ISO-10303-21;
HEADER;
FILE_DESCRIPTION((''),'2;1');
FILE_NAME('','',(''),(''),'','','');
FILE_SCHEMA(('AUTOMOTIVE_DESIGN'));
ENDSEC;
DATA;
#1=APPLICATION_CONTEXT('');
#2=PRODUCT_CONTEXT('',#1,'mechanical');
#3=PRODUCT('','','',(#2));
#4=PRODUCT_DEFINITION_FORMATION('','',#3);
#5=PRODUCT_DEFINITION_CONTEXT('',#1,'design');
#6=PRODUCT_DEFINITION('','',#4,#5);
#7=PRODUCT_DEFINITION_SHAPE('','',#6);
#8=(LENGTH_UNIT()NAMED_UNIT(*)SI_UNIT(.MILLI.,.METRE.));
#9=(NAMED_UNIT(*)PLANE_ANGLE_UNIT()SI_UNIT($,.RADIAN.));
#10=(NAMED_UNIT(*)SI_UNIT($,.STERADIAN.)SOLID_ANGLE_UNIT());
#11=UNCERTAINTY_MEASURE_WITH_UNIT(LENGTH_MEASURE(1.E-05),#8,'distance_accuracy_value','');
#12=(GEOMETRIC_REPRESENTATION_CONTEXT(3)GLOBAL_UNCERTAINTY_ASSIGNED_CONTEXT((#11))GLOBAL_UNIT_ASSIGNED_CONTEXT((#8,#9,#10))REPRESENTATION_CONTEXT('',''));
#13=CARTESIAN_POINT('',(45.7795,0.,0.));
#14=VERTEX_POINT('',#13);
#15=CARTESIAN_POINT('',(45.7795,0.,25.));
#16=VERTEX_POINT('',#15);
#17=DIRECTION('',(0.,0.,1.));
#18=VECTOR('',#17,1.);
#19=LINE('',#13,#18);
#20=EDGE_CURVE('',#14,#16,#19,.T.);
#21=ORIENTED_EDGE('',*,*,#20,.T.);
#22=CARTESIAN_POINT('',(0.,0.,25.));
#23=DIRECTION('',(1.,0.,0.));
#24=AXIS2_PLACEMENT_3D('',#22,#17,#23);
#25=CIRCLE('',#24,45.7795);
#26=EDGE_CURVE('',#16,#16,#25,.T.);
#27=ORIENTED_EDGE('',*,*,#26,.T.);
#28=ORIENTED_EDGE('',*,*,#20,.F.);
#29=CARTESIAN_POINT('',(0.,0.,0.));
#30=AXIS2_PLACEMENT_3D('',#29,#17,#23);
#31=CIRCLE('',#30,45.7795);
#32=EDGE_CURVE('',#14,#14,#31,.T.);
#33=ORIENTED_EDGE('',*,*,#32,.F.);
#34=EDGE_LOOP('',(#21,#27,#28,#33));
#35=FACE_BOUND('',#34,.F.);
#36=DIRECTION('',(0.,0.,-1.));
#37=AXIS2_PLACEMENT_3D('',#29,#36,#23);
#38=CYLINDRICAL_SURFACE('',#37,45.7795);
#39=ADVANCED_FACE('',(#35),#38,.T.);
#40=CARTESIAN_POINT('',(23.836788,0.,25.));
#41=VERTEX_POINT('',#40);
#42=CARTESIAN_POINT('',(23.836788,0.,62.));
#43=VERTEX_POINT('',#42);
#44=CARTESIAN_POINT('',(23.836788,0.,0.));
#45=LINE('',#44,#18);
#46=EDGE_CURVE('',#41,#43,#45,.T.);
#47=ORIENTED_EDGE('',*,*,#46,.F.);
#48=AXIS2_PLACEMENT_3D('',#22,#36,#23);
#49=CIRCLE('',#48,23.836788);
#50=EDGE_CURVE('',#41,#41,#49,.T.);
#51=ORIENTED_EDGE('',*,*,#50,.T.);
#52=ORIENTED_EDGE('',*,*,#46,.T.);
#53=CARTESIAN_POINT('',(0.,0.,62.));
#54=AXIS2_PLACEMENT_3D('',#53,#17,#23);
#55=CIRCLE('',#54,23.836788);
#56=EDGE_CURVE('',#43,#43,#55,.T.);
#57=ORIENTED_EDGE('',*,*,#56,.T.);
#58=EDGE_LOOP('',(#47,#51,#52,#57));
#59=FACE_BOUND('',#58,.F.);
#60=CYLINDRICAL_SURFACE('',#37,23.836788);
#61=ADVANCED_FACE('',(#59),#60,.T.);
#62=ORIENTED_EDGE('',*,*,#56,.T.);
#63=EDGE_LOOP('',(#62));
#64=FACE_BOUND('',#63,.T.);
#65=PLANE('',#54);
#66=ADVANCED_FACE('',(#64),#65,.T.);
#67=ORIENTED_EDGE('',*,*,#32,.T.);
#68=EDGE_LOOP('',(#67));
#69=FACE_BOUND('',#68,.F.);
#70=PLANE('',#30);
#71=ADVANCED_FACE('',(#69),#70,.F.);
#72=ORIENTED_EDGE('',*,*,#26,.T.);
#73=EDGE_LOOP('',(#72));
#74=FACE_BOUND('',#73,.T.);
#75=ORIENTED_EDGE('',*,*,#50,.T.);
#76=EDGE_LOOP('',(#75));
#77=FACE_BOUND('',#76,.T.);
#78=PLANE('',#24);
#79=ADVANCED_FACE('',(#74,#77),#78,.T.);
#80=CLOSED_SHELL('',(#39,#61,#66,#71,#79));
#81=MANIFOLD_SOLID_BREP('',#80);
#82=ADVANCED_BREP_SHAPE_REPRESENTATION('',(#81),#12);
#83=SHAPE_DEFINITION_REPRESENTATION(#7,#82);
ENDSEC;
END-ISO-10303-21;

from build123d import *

# Parameters (mm, degrees)
F0_R     = 23.836788
F2_DEPTH = 62
F3_R     = 45.7795
F3_R_2   = 21.418508
F4_DEPTH = 25


with BuildPart() as f2:
    # F0 (on Top) → F2 (new body)
    with BuildSketch(Plane.XY):
        Circle(F0_R)
    extrude(amount=F2_DEPTH)

    # F3 (on face) → F4 (join)
    with BuildSketch(Plane.XY):
        Circle(F3_R)
        Circle(F3_R_2, mode=Mode.SUBTRACT)
    extrude(amount=F4_DEPTH)


solid = f2.part
